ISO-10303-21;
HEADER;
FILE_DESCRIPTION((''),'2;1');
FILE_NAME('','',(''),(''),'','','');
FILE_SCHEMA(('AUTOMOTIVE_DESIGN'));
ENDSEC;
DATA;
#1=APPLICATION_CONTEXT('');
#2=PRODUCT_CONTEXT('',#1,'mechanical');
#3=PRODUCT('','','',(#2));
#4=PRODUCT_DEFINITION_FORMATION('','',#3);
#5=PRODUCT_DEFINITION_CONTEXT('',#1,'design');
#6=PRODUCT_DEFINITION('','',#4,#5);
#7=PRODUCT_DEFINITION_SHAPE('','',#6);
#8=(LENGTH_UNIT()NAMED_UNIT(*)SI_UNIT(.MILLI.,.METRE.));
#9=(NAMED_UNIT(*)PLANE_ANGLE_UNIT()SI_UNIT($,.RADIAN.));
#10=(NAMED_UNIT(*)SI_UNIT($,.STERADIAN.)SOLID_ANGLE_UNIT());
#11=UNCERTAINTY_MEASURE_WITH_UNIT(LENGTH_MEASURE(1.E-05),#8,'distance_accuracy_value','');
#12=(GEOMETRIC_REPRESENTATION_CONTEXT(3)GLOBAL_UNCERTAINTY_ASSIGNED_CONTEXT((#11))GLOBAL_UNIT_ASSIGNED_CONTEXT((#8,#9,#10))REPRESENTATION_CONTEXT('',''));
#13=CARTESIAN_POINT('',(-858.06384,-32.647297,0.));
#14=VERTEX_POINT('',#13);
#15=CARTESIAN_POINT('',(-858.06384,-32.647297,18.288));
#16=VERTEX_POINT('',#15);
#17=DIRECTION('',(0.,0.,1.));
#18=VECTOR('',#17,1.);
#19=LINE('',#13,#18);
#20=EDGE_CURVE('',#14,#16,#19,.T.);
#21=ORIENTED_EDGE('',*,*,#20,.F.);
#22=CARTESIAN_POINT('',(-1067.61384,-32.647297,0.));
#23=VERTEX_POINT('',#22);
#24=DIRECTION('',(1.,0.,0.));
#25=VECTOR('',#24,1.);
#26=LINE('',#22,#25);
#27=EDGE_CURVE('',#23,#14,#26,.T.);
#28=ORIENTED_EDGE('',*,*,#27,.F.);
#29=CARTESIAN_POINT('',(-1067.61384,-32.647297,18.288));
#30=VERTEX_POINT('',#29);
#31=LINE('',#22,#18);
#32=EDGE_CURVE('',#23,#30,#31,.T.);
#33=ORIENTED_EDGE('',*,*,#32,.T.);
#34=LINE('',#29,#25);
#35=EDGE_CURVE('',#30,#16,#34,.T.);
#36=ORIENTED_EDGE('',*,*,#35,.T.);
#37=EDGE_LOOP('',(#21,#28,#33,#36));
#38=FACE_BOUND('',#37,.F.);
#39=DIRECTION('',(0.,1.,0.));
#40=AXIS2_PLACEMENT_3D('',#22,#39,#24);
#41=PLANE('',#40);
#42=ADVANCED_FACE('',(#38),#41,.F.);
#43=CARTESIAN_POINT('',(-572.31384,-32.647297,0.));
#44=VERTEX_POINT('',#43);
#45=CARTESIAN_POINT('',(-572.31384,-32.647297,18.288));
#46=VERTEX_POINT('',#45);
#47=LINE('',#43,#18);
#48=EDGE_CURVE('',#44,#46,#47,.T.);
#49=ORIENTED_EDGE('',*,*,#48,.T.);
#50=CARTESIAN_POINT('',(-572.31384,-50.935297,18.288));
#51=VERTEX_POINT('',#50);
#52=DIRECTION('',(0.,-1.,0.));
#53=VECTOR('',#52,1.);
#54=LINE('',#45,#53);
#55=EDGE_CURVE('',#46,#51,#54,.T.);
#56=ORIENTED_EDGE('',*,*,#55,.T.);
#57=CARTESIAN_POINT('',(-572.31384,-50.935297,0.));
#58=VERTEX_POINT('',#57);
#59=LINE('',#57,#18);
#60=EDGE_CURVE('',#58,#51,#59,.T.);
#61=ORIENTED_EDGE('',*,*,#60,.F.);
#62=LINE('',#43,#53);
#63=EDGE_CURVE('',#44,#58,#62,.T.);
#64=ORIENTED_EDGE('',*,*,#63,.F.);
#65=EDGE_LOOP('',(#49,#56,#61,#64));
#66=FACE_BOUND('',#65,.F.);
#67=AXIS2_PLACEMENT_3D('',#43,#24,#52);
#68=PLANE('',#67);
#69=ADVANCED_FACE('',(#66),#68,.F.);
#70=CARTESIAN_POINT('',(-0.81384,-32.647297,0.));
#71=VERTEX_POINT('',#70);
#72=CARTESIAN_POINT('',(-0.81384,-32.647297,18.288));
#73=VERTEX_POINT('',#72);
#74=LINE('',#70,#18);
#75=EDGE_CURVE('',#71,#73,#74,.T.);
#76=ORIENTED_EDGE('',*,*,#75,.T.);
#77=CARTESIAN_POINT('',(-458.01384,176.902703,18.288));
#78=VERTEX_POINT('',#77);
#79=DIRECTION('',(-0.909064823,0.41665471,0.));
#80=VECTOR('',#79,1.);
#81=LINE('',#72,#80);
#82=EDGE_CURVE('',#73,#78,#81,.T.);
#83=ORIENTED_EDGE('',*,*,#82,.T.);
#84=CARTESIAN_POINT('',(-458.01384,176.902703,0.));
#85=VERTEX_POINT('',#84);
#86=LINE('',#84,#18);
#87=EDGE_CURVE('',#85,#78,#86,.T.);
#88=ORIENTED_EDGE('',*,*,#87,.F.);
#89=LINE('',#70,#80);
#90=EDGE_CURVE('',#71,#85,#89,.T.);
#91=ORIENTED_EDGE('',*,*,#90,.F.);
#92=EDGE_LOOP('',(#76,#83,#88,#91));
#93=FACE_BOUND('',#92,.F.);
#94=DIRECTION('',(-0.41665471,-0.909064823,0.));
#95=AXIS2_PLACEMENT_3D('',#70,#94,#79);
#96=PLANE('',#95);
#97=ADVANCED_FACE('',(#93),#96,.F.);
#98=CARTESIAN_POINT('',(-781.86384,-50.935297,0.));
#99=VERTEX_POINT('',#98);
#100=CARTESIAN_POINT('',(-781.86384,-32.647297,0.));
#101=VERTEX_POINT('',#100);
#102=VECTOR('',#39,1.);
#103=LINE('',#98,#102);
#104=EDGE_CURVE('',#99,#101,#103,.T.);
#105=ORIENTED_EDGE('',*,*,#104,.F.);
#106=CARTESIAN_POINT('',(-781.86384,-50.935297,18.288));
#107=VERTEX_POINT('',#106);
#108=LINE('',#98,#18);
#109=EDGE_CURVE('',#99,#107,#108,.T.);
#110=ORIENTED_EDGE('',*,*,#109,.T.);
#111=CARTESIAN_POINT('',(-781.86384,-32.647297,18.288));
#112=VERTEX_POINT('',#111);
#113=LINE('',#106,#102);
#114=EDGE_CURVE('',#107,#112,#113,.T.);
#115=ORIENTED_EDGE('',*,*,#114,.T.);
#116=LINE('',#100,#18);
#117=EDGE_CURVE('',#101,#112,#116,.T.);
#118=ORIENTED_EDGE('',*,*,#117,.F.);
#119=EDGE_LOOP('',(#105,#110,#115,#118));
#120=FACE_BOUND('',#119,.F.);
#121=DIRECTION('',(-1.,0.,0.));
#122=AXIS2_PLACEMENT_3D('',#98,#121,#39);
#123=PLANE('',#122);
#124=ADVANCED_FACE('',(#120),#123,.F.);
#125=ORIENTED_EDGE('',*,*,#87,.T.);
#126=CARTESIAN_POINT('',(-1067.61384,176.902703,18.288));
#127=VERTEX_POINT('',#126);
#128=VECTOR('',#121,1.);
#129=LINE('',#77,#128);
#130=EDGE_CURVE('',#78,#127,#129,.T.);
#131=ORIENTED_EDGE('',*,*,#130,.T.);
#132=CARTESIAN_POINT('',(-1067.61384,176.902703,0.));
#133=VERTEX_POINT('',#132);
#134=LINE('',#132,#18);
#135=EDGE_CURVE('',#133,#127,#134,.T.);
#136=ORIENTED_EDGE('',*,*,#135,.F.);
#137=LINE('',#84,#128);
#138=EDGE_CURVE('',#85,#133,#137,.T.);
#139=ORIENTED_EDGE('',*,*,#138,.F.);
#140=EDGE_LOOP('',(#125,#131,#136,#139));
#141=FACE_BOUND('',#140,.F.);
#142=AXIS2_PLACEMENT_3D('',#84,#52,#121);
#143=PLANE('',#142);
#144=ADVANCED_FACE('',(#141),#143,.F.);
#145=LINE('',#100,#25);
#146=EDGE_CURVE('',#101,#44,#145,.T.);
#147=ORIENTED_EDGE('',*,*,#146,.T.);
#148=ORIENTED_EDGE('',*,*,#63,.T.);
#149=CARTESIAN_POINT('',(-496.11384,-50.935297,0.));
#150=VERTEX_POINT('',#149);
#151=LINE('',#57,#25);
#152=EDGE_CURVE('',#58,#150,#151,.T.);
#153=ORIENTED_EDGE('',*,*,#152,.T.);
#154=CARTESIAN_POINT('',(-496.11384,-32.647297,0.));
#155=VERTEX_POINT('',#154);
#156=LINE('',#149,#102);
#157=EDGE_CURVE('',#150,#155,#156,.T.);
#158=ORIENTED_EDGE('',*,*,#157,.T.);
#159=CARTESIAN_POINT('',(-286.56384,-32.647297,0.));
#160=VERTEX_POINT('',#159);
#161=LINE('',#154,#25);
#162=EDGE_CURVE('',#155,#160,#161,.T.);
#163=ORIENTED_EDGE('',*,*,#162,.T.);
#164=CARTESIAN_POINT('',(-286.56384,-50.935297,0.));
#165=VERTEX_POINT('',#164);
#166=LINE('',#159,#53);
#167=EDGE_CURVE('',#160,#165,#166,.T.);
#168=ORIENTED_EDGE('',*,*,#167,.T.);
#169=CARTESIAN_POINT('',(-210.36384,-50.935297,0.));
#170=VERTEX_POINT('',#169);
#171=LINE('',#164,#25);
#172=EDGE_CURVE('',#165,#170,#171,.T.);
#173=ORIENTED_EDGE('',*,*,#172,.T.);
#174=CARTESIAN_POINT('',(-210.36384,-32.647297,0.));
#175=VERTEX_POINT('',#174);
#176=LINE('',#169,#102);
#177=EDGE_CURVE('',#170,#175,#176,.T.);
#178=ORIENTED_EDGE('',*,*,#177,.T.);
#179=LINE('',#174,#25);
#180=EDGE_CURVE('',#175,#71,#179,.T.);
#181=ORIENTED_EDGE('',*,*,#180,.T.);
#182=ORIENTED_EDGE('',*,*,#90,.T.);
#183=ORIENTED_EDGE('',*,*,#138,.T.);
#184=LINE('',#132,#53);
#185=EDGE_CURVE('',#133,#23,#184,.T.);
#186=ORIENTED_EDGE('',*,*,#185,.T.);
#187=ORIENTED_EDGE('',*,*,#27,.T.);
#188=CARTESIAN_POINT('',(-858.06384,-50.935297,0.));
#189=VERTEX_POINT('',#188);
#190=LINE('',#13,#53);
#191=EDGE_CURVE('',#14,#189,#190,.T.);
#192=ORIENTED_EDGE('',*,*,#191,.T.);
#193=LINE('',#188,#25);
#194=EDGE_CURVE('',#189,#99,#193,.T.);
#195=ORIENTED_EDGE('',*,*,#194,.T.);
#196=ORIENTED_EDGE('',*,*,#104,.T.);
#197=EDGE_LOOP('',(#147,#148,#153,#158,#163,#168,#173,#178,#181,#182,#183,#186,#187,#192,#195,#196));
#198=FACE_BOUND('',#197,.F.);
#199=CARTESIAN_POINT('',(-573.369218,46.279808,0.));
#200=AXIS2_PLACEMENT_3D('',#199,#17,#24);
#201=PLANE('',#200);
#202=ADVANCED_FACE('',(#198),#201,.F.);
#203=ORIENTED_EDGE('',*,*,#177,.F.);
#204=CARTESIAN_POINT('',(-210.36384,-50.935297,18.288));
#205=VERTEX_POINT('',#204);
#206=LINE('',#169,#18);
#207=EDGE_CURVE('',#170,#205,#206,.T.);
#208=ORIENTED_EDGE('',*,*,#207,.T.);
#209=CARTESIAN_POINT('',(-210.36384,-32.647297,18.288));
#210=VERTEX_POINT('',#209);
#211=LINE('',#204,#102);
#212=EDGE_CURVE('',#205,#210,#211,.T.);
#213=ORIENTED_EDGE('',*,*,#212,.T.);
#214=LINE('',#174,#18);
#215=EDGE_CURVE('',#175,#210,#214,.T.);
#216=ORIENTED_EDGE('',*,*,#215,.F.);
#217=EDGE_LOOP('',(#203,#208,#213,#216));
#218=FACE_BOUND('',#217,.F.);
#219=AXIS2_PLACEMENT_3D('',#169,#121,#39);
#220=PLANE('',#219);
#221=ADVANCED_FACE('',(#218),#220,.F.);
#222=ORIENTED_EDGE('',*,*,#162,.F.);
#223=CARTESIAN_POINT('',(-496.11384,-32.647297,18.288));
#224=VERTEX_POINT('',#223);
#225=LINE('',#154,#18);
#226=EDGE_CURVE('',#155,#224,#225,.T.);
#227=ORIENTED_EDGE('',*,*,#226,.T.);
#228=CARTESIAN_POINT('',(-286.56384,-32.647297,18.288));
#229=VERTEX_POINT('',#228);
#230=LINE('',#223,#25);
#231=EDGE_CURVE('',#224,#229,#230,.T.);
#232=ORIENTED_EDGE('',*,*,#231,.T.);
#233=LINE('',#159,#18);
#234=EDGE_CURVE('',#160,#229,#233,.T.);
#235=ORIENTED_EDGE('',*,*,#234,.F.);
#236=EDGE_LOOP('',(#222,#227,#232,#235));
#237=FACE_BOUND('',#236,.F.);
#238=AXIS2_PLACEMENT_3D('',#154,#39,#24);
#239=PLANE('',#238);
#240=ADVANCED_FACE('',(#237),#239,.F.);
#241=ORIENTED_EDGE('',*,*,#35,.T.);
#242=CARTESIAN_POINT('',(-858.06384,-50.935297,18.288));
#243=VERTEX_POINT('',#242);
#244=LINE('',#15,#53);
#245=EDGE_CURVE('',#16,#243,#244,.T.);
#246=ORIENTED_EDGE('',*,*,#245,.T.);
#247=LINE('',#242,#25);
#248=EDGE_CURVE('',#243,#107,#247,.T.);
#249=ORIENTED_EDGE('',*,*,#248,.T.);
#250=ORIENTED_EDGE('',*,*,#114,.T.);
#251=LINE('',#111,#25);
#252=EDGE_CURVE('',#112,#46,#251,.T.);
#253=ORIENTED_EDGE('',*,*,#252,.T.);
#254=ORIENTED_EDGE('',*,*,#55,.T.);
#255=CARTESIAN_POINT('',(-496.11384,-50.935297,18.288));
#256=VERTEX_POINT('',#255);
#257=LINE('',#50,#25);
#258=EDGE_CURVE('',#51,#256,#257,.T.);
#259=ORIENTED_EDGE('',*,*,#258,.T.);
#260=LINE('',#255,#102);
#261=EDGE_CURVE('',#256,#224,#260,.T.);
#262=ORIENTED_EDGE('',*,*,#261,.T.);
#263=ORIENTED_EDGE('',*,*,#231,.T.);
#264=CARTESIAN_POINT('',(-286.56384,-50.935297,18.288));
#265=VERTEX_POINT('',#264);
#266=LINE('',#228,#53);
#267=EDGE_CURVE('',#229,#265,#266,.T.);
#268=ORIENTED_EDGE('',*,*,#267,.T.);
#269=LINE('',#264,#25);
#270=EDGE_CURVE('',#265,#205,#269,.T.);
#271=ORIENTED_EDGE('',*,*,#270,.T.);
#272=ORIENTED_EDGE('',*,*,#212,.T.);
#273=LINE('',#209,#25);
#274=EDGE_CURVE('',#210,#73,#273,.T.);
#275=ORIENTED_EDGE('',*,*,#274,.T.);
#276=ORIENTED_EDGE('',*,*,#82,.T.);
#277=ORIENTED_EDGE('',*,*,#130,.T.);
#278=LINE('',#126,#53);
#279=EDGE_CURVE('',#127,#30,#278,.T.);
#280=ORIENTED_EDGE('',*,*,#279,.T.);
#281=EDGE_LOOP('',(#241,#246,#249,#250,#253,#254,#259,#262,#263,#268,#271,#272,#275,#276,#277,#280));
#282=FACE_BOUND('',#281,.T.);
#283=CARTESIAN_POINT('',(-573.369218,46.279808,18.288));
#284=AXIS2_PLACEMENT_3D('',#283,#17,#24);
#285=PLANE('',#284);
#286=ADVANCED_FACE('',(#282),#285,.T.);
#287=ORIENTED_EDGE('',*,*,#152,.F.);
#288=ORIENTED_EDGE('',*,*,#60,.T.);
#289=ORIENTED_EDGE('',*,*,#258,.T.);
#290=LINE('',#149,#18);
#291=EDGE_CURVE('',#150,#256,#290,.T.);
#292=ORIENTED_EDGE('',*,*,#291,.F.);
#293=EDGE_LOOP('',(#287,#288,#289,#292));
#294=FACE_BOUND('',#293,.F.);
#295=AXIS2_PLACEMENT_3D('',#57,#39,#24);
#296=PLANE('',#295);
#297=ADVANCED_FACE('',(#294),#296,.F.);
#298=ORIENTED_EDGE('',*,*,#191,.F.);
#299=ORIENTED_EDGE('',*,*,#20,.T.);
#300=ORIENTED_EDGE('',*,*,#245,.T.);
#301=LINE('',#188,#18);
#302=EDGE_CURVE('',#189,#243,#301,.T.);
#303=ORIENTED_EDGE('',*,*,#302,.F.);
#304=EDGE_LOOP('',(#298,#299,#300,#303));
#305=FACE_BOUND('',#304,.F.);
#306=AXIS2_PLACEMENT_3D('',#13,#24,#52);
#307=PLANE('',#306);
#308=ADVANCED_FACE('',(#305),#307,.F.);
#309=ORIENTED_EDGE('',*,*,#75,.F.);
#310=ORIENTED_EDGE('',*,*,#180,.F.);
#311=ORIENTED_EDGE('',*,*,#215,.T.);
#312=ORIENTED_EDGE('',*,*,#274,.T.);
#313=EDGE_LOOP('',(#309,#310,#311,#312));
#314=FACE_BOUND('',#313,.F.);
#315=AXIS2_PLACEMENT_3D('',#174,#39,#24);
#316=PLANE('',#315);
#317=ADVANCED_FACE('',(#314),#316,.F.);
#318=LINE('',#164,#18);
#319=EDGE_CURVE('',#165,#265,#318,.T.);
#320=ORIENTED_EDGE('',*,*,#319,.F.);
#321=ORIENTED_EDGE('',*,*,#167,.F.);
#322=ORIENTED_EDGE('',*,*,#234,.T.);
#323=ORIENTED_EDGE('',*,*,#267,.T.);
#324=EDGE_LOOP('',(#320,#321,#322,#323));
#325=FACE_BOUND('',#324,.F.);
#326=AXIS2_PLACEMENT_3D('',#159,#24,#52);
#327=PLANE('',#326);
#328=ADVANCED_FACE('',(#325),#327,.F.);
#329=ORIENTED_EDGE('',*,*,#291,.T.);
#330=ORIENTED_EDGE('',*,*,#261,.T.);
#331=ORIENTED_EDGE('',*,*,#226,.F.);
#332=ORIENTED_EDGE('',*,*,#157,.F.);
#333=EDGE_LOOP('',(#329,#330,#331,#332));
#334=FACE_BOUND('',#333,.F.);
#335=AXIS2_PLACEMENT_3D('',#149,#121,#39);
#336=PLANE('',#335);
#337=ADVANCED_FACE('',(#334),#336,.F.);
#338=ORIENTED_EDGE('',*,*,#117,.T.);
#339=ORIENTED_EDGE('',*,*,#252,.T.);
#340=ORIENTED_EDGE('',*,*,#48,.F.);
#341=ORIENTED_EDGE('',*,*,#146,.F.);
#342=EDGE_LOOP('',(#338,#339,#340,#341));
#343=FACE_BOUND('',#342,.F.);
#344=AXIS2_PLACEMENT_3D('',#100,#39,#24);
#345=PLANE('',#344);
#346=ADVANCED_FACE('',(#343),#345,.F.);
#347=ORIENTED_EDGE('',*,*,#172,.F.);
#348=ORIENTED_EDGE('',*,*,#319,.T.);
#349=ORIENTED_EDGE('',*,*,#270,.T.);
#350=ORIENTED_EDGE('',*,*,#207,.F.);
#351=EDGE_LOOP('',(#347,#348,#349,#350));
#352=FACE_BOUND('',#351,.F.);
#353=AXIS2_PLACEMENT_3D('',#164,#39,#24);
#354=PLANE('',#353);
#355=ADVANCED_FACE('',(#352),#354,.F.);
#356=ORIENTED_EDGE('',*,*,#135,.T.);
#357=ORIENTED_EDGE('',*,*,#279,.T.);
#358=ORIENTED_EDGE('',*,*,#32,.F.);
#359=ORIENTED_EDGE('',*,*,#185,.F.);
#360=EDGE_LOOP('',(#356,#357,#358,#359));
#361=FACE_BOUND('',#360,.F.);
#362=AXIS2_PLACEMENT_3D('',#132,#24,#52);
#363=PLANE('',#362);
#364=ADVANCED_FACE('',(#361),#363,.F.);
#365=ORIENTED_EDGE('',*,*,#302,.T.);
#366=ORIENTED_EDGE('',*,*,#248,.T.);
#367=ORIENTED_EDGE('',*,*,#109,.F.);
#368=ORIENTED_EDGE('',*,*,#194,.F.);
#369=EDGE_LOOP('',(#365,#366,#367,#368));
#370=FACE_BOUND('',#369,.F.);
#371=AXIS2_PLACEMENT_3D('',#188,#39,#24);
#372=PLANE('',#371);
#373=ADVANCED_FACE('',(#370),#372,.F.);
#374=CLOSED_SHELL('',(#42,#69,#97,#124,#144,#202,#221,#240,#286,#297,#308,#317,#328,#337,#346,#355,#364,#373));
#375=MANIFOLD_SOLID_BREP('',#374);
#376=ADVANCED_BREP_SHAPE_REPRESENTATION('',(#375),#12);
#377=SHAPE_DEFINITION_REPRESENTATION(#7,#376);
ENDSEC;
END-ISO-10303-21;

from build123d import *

# Parameters (mm, degrees)
F1_DEPTH = 18.288


with BuildPart() as f1:
    # F0 (on Top) → F1 (new body)
    with BuildSketch(Plane.XY):
        Polygon((-1067.61384, 176.902703), (-1067.61384, -32.647297), (-858.06384, -32.647297), (-858.06384, -50.935297), (-781.86384, -50.935297), (-781.86384, -32.647297), (-572.31384, -32.647297), (-572.31384, -50.935297), (-496.11384, -50.935297), (-496.11384, -32.647297), (-286.56384, -32.647297), (-286.56384, -50.935297), (-210.36384, -50.935297), (-210.36384, -32.647297), (-0.81384, -32.647297), (-458.01384, 176.902703), align=None)
    extrude(amount=F1_DEPTH)


solid = f1.part
